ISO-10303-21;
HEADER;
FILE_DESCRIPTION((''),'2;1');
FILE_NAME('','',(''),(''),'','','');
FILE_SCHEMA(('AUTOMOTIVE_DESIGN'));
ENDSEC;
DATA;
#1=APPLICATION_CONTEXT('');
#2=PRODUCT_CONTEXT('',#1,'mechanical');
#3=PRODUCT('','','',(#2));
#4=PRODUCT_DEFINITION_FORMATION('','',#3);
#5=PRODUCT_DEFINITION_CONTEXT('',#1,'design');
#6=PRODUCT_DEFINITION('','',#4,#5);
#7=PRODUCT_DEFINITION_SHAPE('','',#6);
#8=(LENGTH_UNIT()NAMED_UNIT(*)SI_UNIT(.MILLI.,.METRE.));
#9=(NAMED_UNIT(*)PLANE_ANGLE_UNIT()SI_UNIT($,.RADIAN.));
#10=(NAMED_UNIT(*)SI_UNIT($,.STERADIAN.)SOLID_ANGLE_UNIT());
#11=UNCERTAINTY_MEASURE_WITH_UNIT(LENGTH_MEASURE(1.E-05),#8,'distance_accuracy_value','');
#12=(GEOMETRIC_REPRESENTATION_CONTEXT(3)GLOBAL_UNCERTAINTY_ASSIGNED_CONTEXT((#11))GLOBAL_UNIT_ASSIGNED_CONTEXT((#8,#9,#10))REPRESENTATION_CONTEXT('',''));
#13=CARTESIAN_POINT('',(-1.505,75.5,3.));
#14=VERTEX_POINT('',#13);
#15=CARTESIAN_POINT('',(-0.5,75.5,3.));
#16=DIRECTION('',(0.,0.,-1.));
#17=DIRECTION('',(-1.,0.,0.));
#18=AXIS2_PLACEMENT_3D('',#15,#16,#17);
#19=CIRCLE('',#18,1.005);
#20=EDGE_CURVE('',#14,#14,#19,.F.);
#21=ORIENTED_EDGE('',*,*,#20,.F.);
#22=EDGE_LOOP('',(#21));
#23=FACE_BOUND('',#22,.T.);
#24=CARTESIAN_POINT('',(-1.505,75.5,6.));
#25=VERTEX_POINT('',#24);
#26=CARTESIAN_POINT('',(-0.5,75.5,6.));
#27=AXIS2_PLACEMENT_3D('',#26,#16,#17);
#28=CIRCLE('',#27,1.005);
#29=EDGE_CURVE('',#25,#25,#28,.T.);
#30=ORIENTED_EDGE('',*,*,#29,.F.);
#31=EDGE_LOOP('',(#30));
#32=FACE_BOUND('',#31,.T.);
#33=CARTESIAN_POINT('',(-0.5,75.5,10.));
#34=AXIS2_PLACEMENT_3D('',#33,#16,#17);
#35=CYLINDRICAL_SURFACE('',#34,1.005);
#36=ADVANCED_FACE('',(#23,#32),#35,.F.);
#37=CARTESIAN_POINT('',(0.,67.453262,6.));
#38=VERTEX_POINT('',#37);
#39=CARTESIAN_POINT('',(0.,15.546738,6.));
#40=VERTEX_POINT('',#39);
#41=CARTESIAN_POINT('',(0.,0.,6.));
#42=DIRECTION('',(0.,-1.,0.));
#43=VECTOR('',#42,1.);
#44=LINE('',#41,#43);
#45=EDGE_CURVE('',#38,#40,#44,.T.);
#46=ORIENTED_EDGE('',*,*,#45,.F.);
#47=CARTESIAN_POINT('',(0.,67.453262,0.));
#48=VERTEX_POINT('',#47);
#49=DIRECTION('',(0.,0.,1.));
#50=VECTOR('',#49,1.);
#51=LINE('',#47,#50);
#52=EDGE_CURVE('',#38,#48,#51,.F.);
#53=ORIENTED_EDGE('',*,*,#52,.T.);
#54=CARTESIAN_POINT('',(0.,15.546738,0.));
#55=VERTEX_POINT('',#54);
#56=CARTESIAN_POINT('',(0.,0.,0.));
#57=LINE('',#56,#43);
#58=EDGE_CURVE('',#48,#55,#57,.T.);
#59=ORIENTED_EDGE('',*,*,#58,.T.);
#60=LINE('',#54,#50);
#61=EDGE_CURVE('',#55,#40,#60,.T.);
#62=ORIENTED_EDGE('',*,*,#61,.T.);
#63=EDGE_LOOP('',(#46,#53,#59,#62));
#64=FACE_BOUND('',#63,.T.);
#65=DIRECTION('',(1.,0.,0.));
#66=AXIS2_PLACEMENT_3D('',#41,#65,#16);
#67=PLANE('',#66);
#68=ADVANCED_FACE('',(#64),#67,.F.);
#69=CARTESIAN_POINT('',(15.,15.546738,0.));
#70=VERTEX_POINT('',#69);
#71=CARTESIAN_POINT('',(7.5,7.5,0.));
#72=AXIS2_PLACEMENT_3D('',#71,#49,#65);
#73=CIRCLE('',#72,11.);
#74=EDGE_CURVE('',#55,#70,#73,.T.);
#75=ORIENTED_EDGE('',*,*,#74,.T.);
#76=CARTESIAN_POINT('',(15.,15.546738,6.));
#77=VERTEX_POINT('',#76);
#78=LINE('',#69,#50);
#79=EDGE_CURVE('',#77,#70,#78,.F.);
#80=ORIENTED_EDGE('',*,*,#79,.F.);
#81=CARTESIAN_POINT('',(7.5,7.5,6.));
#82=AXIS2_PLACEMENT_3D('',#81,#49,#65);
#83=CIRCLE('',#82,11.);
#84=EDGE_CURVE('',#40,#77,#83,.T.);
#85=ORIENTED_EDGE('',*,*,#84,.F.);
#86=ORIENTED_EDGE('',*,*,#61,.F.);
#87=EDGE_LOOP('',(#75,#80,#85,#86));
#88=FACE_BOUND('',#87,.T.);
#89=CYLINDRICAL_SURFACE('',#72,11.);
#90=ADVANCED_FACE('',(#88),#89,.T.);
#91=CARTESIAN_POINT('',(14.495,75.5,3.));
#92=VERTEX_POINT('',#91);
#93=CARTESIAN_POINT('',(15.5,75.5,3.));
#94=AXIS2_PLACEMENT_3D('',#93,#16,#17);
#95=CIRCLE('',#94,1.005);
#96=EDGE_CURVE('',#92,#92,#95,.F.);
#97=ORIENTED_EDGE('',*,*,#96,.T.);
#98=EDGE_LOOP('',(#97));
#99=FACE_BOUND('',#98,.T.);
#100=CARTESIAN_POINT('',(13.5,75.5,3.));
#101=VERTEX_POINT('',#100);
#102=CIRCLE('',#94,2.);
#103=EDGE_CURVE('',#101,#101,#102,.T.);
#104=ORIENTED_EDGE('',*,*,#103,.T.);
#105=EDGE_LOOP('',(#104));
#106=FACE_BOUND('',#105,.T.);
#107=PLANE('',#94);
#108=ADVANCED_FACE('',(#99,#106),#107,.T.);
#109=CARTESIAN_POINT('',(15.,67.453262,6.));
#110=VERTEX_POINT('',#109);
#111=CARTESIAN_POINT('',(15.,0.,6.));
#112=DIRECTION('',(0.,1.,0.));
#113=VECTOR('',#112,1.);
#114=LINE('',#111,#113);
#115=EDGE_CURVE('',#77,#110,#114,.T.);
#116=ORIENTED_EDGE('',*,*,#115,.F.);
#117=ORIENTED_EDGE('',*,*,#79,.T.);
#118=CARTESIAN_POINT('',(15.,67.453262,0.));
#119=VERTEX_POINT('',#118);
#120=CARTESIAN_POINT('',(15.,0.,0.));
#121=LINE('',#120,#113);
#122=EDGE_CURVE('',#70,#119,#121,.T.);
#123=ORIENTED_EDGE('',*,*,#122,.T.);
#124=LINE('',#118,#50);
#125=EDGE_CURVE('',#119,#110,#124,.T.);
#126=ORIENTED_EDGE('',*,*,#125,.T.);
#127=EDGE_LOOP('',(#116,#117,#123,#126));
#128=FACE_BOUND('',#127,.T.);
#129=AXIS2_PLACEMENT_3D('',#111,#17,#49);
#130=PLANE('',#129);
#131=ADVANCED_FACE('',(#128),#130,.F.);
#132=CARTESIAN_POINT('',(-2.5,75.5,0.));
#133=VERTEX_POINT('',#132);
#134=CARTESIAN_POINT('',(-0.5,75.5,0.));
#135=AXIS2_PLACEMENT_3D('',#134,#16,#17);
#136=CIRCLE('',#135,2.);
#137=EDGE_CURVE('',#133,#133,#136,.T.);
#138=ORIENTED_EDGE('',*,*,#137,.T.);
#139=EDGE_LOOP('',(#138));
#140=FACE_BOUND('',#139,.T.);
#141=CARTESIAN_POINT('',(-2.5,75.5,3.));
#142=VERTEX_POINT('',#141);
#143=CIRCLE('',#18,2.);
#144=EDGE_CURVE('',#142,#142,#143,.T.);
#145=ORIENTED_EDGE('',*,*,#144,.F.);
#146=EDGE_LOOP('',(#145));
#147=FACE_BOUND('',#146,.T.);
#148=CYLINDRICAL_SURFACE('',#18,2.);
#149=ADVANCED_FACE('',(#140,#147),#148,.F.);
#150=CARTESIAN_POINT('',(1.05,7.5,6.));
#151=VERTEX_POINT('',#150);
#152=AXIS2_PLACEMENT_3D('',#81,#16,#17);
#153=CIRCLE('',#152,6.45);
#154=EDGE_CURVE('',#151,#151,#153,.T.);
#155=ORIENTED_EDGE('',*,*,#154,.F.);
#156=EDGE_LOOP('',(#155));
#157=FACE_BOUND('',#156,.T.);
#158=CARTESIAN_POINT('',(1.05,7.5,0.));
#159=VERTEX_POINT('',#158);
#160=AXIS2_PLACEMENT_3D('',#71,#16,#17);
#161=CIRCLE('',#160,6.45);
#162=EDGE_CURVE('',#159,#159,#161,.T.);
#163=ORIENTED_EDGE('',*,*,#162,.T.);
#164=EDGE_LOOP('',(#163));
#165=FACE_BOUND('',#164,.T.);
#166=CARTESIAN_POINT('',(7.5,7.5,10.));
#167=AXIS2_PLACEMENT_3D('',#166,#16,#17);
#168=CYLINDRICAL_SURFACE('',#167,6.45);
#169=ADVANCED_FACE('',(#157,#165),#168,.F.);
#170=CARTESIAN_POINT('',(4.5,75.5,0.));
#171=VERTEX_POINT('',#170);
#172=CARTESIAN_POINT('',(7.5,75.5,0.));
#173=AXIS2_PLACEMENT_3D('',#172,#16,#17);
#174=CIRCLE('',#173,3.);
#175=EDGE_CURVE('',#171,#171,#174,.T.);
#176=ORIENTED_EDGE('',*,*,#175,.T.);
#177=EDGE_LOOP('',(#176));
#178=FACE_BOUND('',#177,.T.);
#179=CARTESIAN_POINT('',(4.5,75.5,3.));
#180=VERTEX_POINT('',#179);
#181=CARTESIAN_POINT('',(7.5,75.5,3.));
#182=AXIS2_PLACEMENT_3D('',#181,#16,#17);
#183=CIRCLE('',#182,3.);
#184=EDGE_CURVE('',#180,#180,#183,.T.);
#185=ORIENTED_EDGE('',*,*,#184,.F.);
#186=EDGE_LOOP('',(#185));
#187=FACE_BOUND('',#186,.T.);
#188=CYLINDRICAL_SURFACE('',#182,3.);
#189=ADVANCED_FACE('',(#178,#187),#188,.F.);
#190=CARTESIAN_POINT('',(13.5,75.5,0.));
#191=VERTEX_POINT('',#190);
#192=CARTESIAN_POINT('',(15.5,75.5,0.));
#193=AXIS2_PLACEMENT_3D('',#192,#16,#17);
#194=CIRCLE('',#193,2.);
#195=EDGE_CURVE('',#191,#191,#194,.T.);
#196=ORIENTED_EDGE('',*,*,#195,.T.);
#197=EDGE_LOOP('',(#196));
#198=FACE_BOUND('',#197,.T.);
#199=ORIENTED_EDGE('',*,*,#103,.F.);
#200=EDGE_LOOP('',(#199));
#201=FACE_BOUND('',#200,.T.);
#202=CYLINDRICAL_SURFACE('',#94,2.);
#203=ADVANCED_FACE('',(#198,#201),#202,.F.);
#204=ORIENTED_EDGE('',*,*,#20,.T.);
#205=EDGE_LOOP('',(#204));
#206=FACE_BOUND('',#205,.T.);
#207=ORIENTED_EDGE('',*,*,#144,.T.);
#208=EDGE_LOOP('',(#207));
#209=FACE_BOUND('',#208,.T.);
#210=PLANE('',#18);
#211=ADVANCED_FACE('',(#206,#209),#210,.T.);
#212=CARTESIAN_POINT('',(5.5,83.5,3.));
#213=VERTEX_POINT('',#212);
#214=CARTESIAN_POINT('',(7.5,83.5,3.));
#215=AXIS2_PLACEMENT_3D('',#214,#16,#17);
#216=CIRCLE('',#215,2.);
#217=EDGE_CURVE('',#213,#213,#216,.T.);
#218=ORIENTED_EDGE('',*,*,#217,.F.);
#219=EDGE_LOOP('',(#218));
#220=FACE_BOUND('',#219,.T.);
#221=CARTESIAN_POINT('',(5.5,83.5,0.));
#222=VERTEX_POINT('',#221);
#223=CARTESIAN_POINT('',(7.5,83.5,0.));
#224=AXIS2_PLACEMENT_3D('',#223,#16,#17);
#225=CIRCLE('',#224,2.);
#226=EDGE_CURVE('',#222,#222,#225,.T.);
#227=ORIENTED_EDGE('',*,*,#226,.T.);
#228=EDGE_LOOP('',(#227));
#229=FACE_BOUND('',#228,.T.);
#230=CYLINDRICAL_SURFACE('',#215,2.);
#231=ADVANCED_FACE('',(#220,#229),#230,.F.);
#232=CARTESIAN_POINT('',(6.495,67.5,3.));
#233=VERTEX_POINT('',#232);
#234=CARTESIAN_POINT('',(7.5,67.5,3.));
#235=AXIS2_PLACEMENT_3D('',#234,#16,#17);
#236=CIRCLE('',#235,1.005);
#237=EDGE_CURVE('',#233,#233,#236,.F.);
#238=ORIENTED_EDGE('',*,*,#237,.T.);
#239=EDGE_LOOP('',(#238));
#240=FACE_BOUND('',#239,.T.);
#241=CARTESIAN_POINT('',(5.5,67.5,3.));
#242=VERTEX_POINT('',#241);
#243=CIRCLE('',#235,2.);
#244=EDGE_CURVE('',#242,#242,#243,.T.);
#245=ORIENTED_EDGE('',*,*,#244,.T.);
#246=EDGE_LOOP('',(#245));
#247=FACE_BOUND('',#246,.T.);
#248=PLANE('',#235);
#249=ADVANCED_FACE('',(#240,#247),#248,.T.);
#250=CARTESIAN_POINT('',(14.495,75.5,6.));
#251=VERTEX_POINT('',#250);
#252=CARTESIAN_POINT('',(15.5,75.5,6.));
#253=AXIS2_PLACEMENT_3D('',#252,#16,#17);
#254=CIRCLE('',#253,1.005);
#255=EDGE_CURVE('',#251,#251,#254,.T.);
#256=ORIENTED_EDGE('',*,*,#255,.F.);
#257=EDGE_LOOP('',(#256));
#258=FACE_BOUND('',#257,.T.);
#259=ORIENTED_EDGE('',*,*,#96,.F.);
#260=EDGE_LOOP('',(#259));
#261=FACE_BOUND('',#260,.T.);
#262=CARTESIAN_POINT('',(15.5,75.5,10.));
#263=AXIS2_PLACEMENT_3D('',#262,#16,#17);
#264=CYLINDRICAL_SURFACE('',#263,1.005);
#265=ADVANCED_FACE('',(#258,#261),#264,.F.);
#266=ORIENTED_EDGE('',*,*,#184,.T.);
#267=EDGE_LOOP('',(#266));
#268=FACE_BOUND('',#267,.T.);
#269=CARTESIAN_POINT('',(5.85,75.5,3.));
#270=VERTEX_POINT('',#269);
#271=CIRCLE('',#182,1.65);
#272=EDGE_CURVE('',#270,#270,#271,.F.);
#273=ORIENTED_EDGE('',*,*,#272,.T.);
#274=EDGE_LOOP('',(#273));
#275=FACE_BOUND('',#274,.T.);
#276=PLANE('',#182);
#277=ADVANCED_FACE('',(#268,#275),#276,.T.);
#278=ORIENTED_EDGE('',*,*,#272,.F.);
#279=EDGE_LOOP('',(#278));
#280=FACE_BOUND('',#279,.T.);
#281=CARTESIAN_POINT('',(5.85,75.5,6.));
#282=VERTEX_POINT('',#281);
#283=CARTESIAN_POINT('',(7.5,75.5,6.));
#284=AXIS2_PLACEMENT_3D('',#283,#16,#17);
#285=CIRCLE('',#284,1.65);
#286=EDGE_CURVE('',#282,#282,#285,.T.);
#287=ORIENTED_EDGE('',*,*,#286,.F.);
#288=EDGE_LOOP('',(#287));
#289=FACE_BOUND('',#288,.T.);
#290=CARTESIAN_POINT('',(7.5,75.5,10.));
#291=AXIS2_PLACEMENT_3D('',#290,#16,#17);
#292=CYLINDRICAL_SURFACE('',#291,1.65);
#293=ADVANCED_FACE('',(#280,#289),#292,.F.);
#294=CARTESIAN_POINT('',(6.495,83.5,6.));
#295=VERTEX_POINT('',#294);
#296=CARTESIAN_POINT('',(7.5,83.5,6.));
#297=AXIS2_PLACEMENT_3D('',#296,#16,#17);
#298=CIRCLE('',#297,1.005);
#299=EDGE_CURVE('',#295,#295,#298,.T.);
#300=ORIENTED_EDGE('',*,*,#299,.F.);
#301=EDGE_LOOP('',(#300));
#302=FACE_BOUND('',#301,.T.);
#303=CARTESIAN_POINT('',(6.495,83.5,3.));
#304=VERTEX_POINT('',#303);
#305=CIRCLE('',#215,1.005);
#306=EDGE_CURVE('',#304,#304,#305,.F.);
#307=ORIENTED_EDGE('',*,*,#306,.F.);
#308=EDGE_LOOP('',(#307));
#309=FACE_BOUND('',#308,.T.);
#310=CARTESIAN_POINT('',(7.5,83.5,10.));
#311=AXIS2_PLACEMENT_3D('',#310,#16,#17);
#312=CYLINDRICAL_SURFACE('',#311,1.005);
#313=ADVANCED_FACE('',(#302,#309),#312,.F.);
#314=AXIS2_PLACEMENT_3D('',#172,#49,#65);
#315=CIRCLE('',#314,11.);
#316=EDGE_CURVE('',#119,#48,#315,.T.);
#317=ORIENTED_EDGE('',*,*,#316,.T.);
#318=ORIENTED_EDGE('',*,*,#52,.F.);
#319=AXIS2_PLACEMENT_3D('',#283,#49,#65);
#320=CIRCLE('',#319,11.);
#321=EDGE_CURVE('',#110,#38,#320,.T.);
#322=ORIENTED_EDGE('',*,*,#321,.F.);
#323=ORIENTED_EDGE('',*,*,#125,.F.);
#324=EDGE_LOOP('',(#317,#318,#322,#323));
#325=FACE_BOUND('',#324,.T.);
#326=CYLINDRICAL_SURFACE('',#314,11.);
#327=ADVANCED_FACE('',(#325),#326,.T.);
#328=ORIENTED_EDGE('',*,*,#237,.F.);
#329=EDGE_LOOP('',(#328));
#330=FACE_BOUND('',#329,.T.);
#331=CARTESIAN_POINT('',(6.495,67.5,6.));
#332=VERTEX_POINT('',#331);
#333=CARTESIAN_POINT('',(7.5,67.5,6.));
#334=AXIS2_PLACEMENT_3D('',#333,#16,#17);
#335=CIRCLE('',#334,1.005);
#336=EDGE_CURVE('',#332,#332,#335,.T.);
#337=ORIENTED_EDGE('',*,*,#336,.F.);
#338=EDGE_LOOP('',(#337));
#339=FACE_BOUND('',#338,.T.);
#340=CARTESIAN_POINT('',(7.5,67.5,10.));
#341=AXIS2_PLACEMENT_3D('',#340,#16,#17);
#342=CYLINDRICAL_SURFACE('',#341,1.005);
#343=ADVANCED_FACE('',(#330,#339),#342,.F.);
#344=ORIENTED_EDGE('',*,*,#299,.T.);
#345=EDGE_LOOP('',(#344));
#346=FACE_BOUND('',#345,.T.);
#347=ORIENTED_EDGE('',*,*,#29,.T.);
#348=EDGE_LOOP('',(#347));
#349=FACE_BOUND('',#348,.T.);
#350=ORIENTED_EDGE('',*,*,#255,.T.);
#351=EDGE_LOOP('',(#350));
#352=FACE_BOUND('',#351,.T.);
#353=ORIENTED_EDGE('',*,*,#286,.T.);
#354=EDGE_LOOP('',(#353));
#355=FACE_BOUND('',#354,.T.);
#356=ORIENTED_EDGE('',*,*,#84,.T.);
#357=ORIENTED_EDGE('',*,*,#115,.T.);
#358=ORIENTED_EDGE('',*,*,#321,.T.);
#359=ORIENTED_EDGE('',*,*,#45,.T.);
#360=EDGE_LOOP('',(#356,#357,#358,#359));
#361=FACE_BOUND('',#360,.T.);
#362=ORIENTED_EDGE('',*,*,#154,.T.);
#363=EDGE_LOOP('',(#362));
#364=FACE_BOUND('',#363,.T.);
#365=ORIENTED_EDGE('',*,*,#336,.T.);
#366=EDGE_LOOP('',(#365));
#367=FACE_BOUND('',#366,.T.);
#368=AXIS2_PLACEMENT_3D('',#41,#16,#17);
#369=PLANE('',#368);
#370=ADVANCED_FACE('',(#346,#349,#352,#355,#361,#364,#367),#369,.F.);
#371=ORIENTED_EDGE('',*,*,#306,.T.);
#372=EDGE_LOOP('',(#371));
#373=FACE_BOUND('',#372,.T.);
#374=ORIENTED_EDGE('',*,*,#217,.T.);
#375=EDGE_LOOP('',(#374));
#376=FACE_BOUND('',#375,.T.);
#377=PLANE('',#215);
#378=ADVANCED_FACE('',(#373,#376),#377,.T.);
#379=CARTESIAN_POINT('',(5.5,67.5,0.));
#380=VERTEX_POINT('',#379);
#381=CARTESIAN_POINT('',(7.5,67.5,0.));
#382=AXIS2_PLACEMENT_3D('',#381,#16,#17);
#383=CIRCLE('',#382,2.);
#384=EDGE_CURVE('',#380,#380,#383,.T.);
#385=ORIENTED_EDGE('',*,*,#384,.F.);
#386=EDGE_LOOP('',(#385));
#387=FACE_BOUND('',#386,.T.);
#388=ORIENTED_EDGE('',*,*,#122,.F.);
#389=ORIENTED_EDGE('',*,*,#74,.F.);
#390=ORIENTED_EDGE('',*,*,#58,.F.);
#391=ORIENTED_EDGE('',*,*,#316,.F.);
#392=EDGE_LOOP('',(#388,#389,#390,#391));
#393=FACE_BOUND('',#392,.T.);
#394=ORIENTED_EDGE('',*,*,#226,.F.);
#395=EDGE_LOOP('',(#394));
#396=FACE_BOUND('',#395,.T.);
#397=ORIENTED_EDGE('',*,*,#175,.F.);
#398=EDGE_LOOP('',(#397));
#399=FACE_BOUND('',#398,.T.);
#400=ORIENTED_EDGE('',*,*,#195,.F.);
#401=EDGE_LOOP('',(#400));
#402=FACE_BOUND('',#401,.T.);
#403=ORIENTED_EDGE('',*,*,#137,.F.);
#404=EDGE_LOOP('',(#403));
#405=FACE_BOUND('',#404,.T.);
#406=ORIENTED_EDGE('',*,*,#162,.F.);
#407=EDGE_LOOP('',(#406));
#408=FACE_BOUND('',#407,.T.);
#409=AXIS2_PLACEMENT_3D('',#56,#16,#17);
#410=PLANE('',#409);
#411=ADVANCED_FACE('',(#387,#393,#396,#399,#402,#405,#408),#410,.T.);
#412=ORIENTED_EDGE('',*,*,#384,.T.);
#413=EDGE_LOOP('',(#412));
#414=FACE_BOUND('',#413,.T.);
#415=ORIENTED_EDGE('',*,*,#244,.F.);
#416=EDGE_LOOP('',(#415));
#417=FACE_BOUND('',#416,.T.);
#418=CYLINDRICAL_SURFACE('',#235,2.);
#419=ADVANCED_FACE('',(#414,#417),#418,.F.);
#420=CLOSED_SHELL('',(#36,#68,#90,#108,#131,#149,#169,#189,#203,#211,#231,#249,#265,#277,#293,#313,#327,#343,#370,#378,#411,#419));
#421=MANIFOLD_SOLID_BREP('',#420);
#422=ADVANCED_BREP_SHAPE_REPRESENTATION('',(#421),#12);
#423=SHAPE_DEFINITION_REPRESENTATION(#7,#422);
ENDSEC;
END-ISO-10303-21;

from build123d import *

# Parameters (mm, degrees)
ESQUISSE1_W             = 15
ESQUISSE1_H             = 83
BOSS_EXTRU_1_DEPTH      = 6
ESQUISSE2_R             = 11
BOSS_EXTRU_2_DEPTH      = 6
ESQUISSE4_R             = 1.65
ESQUISSE4_R_2           = 1.005
ESQUISSE4_R_3           = 6.45
ENL_V_MAT_EXTRU_2_DEPTH = 10
ESQUISSE5_R             = 3
ESQUISSE5_R_2           = 2
ENL_V_MAT_EXTRU_3_DEPTH = 3


with BuildPart() as part:
    # Esquisse1 → Boss.-Extru.1 (new body)
    with BuildSketch(Plane.XY):
        with Locations((7.5, 41.5)):
            Rectangle(ESQUISSE1_W, ESQUISSE1_H)
    extrude(amount=BOSS_EXTRU_1_DEPTH)

    # Esquisse2 → Boss.-Extru.2 (add)
    with BuildSketch(Plane.XY.offset(6)):
        with Locations((7.5, 7.5)):
            Circle(ESQUISSE2_R)
        with Locations((7.5, 75.5)):
            Circle(ESQUISSE2_R)
    extrude(amount=-BOSS_EXTRU_2_DEPTH)

    # Esquisse4 → Enlèv. mat.-Extru.2 (cut)
    with BuildSketch(Plane(origin=(0, 0, 0), x_dir=(-1, 0, 0), z_dir=(0, 0, -1))):
        with Locations((-7.5, 75.5)):
            Circle(ESQUISSE4_R)
        with Locations((-7.5, 67.5)):
            Circle(ESQUISSE4_R_2)
        with Locations((-15.5, 75.5)):
            Circle(ESQUISSE4_R_2)
        with Locations((-7.5, 83.5)):
            Circle(ESQUISSE4_R_2)
        with Locations((0.5, 75.5)):
            Circle(ESQUISSE4_R_2)
        with Locations((-7.5, 7.5)):
            Circle(ESQUISSE4_R_3)
    extrude(amount=-ENL_V_MAT_EXTRU_2_DEPTH, mode=Mode.SUBTRACT)

    # Esquisse5 → Enlèv. mat.-Extru.3 (cut)
    with BuildSketch(Plane(origin=(0, 0, 0), x_dir=(-1, 0, 0), z_dir=(0, 0, -1))):
        with Locations((-7.5, 75.5)):
            Circle(ESQUISSE5_R)
        with Locations((-15.5, 75.5)):
            Circle(ESQUISSE5_R_2)
        with Locations((-7.5, 83.5)):
            Circle(ESQUISSE5_R_2)
        with Locations((0.5, 75.5)):
            Circle(ESQUISSE5_R_2)
        with Locations((-7.5, 67.5)):
            Circle(ESQUISSE5_R_2)
    extrude(amount=-ENL_V_MAT_EXTRU_3_DEPTH, mode=Mode.SUBTRACT)


solid = part.part
